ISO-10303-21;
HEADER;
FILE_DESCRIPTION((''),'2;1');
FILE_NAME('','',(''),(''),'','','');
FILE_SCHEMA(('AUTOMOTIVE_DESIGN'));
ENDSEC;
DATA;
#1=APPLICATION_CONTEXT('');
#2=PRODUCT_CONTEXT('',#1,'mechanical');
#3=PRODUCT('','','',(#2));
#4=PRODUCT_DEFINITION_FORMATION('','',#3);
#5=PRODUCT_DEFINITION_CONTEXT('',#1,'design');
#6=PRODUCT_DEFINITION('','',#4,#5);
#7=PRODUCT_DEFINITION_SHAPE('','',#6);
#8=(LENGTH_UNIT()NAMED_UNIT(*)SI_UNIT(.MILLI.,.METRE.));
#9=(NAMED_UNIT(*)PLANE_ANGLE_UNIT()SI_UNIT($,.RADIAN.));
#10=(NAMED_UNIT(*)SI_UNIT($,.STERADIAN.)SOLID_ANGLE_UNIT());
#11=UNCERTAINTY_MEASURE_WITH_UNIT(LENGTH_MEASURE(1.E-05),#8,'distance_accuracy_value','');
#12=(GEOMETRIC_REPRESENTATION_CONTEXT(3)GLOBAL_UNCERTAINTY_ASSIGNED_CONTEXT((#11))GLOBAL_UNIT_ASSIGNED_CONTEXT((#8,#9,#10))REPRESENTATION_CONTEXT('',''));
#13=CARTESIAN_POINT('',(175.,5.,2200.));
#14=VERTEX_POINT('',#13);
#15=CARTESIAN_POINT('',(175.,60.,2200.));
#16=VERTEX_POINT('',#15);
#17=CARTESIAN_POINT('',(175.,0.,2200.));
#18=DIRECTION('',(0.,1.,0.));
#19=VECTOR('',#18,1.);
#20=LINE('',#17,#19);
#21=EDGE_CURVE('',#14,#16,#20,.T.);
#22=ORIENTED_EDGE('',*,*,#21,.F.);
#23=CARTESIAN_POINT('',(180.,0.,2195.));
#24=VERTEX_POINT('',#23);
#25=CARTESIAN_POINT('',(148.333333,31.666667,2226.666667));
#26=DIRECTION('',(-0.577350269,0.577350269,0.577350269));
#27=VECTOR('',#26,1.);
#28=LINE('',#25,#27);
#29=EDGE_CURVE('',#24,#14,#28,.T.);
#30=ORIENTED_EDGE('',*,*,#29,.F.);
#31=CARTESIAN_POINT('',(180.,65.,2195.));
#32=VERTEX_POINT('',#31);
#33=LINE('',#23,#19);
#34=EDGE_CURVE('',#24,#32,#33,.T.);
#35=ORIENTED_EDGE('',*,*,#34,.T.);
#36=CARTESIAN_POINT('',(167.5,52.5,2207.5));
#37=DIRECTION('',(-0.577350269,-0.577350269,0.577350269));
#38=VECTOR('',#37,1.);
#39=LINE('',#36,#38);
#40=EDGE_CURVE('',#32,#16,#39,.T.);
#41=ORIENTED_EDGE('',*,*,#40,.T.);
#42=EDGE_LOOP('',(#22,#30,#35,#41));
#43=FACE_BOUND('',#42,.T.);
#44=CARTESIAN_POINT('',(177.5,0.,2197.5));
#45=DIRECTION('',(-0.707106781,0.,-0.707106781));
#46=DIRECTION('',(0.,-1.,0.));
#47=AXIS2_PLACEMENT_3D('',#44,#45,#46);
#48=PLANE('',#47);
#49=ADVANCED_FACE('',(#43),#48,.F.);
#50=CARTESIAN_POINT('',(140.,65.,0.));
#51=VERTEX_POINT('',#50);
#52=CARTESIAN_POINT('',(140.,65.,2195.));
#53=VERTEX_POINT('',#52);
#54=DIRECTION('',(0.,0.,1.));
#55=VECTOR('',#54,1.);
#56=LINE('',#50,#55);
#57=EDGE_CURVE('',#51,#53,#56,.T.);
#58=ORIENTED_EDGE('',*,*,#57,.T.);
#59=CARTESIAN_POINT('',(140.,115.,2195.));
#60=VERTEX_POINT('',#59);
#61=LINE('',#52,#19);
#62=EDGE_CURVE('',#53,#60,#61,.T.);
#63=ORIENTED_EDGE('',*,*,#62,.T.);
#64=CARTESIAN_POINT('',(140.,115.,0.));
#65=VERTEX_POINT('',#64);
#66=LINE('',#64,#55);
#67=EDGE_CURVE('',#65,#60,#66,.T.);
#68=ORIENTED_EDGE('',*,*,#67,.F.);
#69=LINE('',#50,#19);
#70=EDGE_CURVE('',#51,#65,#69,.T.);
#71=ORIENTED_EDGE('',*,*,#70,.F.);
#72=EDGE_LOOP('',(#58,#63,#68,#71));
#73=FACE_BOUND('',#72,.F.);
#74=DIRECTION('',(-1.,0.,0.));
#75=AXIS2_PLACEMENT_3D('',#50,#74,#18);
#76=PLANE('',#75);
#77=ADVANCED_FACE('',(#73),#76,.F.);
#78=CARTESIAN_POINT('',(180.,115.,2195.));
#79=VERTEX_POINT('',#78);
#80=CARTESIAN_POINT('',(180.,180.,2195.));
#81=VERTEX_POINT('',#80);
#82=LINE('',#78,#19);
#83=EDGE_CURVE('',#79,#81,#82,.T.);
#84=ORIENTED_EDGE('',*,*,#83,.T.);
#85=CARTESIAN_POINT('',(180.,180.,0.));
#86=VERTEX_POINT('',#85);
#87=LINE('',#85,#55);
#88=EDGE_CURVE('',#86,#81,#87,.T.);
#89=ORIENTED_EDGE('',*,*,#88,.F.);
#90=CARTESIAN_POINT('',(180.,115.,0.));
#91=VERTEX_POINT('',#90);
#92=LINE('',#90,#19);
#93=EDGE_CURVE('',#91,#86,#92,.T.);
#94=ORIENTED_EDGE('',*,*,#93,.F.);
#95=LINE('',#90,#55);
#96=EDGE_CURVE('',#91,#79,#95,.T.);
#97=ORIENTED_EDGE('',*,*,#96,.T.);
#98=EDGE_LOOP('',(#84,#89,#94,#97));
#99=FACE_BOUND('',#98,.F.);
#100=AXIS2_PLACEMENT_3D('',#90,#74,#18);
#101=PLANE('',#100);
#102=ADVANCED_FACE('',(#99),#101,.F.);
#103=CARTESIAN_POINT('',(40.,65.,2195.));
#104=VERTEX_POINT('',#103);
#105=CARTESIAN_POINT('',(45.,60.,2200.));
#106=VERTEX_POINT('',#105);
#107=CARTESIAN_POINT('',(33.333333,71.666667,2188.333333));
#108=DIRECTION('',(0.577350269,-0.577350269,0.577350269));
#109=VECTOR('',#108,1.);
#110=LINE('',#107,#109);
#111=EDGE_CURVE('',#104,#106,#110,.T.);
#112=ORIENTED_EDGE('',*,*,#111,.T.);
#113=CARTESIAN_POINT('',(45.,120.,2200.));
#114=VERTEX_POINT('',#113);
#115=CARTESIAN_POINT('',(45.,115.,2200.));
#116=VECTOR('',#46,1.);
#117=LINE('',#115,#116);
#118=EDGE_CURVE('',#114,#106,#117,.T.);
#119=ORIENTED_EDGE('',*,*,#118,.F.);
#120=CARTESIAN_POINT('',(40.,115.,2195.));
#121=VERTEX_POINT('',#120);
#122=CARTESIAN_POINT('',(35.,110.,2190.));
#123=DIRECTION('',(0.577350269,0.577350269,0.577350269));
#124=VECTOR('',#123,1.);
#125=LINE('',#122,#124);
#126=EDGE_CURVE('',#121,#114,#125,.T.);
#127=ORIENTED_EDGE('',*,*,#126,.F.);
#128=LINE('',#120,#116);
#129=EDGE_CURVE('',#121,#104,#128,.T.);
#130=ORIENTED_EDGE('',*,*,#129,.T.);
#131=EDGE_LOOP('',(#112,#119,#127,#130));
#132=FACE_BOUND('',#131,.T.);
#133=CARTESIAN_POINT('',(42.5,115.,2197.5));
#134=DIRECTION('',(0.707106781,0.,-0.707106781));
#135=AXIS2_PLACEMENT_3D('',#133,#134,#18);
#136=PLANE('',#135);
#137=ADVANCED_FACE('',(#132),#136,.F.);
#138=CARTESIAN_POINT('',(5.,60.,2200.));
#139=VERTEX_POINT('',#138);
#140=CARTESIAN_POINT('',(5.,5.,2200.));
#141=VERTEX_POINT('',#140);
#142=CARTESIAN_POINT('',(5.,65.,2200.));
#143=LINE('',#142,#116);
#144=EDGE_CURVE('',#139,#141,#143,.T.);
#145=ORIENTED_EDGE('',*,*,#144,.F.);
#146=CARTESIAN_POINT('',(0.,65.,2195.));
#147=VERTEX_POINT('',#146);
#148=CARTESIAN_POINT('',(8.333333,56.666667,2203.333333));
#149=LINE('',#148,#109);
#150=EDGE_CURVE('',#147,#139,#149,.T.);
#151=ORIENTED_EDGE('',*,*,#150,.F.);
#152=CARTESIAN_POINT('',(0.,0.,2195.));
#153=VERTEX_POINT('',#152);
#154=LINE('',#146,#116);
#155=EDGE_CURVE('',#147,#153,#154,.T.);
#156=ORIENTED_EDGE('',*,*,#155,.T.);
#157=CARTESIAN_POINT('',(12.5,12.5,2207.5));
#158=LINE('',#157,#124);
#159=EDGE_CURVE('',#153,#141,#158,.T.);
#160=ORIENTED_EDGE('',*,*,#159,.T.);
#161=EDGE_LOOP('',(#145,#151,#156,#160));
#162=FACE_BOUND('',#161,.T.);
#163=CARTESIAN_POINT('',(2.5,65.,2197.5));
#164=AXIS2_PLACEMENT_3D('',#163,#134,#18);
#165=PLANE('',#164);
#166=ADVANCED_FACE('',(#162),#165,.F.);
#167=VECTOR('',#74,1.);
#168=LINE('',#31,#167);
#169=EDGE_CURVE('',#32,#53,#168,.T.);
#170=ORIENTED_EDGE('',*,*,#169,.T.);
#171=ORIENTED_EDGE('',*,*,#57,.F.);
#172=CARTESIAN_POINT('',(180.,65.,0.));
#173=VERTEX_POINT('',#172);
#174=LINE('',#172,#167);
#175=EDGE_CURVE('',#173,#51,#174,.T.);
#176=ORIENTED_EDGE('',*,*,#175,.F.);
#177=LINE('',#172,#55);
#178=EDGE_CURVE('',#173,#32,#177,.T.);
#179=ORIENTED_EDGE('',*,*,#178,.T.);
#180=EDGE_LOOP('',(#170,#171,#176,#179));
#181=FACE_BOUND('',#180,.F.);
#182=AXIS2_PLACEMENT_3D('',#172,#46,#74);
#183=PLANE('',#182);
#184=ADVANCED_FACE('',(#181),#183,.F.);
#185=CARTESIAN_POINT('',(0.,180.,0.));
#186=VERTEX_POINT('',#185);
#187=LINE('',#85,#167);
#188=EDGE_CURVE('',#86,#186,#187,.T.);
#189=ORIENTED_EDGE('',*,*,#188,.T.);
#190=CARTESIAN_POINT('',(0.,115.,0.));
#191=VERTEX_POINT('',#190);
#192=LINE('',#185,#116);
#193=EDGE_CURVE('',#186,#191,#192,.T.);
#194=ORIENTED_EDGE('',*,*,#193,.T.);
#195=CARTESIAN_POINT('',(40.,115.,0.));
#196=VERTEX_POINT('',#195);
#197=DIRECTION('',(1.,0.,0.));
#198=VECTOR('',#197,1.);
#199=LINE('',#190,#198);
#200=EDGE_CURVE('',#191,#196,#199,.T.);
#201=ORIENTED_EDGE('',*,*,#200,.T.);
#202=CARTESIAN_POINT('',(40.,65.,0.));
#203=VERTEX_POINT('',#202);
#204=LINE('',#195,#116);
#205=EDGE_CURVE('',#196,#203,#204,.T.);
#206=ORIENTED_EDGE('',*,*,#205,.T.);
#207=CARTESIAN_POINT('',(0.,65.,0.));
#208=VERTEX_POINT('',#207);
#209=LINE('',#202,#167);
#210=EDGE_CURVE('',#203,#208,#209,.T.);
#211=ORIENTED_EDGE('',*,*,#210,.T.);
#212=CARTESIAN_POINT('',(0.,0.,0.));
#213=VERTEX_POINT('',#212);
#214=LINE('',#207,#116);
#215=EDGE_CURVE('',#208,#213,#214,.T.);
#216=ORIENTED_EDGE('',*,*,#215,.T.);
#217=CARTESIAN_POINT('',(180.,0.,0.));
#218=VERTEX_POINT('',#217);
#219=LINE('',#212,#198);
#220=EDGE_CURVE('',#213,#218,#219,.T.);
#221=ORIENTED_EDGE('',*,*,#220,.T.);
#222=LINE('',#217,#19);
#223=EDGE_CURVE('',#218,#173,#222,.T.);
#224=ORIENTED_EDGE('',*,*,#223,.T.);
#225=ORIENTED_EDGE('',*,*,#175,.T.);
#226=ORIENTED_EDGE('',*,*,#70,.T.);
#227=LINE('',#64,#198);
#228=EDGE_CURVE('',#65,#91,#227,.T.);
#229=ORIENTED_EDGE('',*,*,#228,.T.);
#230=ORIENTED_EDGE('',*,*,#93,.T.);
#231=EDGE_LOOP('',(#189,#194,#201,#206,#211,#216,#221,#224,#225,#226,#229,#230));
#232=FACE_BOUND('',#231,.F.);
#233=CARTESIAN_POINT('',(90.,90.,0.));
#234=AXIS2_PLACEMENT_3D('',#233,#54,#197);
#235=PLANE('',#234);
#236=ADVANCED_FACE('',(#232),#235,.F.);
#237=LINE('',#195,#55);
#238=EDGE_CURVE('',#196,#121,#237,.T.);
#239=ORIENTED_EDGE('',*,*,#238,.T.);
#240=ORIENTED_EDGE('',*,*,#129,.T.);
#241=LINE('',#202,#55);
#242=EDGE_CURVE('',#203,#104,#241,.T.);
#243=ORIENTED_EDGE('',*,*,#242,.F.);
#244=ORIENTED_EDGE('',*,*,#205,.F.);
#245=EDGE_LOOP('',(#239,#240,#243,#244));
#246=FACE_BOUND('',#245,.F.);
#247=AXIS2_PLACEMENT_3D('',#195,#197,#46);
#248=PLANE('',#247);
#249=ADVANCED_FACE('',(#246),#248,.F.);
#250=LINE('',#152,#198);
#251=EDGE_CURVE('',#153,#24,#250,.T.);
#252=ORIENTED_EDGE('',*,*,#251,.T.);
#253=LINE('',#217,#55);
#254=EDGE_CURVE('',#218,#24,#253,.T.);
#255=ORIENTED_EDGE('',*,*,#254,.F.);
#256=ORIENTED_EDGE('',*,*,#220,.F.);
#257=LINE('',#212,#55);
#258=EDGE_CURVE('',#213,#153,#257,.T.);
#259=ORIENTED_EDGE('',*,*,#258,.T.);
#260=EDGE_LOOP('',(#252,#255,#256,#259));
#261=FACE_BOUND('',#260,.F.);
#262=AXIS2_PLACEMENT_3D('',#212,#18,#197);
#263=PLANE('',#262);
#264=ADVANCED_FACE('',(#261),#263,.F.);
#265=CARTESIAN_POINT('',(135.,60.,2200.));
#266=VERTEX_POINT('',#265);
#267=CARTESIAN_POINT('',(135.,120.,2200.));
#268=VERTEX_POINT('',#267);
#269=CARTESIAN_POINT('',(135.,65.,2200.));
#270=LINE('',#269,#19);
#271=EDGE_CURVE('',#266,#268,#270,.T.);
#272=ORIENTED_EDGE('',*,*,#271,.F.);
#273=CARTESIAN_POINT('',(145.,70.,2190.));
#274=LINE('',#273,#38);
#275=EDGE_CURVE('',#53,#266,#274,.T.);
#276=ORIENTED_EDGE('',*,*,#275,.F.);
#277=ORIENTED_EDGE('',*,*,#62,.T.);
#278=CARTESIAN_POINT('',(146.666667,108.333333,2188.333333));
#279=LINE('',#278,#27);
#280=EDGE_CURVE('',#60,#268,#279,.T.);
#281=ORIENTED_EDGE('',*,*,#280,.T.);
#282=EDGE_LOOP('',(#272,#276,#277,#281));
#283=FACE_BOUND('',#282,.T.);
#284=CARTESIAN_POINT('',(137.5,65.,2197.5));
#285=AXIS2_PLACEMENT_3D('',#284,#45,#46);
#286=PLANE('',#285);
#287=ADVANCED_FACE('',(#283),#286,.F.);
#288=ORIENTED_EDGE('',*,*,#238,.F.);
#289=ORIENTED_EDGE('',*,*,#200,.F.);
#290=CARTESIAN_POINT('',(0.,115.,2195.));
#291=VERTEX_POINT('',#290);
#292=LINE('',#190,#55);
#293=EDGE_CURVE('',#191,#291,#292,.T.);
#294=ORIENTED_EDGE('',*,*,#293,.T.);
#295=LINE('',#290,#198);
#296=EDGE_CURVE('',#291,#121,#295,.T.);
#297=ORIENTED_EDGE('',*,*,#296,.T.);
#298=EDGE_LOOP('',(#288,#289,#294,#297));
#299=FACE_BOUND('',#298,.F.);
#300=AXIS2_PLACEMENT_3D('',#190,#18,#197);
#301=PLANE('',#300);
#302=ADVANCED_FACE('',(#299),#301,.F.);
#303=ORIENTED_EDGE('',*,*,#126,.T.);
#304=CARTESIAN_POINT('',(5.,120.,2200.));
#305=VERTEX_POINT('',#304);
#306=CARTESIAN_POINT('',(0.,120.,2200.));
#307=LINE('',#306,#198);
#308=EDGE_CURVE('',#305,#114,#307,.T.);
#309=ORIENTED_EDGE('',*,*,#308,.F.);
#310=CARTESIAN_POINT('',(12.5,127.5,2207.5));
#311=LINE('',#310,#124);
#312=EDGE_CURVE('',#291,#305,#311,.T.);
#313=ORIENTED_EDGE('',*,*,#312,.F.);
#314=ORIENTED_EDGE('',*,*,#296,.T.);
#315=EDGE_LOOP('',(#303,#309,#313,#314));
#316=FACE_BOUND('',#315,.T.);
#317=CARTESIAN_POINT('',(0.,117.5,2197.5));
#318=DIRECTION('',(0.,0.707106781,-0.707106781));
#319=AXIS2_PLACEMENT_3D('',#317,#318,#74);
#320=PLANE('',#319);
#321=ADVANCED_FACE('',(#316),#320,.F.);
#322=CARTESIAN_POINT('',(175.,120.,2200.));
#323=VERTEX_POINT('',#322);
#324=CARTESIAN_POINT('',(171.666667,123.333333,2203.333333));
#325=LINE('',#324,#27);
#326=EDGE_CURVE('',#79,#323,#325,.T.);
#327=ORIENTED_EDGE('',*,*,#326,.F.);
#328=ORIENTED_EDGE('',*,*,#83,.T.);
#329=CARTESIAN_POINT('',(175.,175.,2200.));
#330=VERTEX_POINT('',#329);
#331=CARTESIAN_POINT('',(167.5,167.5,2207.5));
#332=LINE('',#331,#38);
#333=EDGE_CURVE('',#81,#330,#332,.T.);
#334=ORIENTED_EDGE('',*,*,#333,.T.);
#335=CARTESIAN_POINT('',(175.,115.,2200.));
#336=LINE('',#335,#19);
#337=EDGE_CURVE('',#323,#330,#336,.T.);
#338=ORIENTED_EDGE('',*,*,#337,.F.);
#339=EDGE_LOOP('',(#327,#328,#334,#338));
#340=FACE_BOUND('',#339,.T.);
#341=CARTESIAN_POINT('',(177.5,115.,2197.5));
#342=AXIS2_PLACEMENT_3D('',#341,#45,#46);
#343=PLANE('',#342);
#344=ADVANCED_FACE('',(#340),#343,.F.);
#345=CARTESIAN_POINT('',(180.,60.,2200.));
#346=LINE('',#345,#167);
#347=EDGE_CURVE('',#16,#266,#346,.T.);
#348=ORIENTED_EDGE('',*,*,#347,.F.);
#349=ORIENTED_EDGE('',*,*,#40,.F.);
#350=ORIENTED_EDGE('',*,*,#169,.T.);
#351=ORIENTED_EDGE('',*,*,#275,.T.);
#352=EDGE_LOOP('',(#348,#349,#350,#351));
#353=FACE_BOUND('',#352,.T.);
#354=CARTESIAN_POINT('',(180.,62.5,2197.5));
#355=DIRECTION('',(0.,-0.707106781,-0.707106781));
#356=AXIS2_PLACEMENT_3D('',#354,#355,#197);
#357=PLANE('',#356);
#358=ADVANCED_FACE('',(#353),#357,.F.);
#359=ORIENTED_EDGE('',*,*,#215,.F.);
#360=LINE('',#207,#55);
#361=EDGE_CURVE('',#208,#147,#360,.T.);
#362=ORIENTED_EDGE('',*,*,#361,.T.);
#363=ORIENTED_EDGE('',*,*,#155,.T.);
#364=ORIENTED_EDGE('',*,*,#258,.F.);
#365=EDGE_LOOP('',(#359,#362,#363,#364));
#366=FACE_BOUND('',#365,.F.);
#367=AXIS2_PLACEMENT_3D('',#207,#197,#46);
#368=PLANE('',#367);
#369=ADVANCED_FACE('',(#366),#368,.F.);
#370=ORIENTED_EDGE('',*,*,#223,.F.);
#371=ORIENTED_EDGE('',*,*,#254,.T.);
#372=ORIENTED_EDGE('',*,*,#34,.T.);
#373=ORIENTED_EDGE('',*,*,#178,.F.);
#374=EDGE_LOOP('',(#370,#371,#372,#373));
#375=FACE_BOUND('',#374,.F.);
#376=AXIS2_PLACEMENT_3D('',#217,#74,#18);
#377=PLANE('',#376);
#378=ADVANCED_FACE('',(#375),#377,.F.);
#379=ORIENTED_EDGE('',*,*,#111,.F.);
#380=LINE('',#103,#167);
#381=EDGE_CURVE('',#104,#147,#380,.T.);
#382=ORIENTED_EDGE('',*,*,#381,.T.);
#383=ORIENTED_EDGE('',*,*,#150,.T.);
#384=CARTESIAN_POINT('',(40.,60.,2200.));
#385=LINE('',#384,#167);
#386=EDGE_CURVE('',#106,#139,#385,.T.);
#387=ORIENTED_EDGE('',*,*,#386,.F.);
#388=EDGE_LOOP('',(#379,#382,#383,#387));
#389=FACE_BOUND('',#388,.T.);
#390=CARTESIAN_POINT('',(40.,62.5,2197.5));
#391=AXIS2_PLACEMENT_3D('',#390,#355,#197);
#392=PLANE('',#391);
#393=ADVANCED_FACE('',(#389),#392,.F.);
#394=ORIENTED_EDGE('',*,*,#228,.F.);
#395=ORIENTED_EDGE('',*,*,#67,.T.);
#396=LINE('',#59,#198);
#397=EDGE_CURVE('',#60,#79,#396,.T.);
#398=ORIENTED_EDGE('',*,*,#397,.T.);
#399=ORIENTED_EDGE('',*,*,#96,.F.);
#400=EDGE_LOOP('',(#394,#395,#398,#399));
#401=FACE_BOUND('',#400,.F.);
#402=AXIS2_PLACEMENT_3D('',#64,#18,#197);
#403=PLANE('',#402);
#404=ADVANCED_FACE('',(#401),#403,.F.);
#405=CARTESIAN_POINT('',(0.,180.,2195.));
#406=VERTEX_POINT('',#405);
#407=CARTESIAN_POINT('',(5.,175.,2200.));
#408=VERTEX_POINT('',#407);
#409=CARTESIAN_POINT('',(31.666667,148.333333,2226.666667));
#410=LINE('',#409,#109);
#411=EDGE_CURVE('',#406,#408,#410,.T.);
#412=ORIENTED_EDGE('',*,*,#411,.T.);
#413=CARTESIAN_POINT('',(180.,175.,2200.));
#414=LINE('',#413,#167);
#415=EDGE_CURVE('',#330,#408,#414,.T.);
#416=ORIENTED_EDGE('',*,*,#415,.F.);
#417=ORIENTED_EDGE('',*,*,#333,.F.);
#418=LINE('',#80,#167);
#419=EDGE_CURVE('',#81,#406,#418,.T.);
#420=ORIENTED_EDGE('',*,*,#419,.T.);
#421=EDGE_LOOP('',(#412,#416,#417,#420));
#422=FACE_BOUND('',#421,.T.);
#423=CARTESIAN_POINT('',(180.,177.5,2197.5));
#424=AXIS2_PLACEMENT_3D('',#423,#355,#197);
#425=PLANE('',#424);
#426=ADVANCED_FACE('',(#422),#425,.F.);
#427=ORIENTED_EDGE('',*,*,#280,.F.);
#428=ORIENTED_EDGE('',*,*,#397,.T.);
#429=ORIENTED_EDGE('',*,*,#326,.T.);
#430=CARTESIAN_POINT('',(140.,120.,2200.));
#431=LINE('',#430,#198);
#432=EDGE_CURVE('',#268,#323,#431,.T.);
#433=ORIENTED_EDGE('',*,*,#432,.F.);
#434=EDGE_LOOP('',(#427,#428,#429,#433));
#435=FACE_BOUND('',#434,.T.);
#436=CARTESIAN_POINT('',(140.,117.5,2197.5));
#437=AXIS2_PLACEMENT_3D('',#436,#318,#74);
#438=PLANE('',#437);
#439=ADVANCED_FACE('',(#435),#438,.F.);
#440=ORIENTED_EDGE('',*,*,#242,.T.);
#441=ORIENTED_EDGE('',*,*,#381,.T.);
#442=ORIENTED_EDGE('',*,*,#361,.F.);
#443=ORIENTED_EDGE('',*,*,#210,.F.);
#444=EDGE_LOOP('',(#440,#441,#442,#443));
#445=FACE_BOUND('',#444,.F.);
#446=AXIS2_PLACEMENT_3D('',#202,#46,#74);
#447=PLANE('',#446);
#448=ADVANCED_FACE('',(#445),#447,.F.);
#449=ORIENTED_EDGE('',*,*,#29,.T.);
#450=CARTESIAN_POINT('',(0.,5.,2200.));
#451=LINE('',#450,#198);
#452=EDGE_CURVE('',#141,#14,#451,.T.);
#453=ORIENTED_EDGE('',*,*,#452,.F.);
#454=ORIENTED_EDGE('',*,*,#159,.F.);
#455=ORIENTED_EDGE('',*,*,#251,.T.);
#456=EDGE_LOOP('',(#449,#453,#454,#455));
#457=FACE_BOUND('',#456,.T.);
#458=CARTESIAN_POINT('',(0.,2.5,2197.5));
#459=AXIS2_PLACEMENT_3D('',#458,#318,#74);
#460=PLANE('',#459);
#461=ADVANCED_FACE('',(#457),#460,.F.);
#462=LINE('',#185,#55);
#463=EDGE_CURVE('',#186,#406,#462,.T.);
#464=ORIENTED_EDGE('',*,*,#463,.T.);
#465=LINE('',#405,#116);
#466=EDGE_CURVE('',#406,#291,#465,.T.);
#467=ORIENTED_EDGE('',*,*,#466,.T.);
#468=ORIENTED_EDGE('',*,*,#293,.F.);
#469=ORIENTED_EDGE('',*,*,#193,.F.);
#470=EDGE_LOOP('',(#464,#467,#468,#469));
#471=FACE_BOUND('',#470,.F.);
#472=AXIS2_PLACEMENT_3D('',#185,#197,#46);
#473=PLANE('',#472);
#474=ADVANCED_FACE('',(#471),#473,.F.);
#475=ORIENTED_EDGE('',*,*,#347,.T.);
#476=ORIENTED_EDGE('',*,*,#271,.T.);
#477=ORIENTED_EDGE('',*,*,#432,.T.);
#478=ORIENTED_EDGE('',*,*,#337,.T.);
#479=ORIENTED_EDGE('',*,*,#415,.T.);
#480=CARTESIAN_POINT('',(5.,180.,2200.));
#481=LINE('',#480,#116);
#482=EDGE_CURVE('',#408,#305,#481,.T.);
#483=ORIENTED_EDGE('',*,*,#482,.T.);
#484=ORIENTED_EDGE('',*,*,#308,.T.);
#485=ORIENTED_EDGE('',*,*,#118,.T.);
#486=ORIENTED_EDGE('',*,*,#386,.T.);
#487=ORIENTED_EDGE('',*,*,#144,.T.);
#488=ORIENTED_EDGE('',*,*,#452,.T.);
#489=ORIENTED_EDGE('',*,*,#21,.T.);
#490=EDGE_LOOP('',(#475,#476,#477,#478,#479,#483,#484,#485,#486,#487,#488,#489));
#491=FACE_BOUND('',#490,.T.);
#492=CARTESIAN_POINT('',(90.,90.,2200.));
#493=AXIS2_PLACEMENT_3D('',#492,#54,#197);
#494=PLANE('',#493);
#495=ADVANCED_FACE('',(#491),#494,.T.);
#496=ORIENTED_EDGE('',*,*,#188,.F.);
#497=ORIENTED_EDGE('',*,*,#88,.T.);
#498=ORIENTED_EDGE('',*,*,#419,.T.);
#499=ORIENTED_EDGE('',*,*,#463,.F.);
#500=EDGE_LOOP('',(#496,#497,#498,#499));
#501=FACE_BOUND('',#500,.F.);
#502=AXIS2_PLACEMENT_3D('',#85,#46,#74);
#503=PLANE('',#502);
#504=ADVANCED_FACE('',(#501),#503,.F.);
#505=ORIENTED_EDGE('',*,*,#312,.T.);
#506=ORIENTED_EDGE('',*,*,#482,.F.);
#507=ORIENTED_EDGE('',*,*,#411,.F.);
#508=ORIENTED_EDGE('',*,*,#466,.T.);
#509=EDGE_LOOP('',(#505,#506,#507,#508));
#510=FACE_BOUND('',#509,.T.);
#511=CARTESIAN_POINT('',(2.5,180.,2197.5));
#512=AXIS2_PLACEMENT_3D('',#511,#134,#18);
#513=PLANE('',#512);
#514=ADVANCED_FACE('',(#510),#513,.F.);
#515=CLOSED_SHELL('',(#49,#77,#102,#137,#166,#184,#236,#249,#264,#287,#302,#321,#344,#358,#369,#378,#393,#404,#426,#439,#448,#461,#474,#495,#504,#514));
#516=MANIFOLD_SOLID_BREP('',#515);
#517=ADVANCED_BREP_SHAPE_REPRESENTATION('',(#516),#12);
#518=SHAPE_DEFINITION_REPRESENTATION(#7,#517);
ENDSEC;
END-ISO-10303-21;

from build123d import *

# Parameters (mm, degrees)
F1_DEPTH = 2200
F2_SIZE  = 5


with BuildPart() as f1:
    # F0 (on Top) → F1 (new body)
    with BuildSketch(Plane.XY):
        Polygon((0, 65), (0, 0), (180, 0), (180, 65), (140, 65), (140, 115), (180, 115), (180, 180), (0, 180), (0, 115), (40, 115), (40, 65), align=None)
    extrude(amount=F1_DEPTH)

    # F2
    f2_edges = [f1.edges().sort_by_distance(p)[0] for p in [
        (90, 0, 2200),
        (0, 32.5, 2200),
        (20, 65, 2200),
        (40, 90, 2200),
        (20, 115, 2200),
        (0, 147.5, 2200),
        (90, 180, 2200),
        (180, 147.5, 2200),
        (160, 115, 2200),
        (180, 32.5, 2200),
        (160, 65, 2200),
        (140, 90, 2200),
    ]]
    chamfer(f2_edges, length=F2_SIZE)


solid = f1.part
